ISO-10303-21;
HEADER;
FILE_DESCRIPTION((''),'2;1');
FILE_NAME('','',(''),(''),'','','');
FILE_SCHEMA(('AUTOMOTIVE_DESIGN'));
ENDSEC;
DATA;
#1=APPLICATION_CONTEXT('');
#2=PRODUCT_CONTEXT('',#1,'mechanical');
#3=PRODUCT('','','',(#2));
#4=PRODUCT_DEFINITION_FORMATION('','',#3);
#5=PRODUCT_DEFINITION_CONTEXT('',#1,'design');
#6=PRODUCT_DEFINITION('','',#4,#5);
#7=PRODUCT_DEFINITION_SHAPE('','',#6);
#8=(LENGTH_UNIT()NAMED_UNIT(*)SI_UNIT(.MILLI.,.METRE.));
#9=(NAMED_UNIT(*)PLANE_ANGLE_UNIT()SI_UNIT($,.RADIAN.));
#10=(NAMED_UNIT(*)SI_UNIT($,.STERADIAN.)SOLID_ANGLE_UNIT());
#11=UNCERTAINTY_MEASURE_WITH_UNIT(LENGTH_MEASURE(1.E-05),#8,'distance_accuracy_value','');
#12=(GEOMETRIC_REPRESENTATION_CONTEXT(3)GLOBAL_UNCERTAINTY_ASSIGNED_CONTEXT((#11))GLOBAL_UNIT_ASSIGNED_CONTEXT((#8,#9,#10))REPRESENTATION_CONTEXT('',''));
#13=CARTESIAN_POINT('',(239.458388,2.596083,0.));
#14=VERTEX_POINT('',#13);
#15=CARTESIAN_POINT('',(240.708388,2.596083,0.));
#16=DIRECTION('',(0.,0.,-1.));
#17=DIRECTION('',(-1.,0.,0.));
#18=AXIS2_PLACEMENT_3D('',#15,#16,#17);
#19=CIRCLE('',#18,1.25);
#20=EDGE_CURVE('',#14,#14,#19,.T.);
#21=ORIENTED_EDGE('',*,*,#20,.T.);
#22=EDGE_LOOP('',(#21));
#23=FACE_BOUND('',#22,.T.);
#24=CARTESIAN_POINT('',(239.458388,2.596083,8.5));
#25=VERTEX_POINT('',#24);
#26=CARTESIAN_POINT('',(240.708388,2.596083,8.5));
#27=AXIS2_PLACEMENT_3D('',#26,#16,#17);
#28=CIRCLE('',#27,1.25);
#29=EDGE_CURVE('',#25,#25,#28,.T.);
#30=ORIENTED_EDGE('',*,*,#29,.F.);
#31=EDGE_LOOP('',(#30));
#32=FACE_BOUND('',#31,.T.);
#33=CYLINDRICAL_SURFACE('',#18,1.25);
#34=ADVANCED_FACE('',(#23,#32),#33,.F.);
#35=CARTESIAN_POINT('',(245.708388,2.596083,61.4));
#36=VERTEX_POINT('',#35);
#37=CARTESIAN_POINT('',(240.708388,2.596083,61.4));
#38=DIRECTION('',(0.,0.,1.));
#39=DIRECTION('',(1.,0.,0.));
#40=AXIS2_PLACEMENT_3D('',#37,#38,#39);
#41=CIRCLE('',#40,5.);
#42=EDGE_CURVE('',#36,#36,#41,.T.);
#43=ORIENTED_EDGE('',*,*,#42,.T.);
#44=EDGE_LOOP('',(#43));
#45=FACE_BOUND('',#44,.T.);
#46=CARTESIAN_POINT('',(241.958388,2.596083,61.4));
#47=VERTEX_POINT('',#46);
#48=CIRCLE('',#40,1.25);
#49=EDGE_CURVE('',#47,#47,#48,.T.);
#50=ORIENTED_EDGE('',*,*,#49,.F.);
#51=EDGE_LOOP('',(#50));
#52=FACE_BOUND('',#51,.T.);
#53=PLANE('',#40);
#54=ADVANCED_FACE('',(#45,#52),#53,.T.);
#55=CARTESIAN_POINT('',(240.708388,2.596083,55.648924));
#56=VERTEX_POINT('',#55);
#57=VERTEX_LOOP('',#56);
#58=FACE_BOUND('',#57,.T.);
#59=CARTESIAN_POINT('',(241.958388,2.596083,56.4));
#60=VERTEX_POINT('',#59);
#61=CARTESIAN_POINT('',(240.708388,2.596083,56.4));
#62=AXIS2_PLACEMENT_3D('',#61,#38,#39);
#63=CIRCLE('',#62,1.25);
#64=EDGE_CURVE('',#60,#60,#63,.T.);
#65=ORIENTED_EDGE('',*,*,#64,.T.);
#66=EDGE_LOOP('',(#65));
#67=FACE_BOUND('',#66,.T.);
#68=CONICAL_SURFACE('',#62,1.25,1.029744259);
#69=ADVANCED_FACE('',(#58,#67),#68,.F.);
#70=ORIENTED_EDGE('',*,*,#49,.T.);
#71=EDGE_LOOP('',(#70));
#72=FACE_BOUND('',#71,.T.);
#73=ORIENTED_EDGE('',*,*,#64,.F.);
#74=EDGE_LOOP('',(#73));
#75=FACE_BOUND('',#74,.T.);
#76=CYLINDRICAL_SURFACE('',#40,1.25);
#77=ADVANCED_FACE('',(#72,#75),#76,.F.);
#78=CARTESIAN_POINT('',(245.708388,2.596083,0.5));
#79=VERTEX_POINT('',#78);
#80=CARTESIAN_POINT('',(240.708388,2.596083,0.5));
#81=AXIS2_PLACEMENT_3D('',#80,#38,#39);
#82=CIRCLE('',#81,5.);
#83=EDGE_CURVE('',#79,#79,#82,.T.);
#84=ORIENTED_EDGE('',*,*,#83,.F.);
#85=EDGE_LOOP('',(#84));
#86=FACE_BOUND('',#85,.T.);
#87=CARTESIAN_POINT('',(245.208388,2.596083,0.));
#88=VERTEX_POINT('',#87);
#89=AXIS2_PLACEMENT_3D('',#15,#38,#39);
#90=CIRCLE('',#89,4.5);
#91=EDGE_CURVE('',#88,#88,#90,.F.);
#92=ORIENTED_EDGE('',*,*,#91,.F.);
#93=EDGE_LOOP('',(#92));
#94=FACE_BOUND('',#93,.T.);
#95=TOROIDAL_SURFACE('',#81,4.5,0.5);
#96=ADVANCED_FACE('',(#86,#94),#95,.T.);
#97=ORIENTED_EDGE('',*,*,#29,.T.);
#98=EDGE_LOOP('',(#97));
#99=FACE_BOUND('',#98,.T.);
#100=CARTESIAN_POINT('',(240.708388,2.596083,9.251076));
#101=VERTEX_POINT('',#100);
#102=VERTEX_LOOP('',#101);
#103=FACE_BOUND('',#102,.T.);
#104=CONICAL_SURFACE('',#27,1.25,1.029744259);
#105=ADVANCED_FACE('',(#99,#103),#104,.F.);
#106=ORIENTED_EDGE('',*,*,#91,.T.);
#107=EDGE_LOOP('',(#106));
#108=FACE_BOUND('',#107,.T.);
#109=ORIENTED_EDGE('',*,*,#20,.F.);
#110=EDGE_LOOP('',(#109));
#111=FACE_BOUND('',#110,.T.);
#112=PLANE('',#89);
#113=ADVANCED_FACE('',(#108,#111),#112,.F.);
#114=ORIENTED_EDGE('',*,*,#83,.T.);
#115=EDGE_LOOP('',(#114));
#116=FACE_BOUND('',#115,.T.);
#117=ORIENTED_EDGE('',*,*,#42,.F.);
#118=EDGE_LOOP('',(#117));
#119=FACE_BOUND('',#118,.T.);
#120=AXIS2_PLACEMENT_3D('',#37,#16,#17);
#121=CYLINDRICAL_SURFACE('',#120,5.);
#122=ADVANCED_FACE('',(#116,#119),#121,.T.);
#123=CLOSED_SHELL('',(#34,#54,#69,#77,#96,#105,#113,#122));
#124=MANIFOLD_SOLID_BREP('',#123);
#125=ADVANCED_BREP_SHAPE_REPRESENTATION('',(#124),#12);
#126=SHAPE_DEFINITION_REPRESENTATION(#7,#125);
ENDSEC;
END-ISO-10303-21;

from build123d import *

# Parameters (mm, degrees)
ESBO_O1_R                                      = 5
RESSALTO_EXTRUS_O1_DEPTH                       = 61.4
FURO_ROSCADO_DE_M3X0_52_D                      = 2.5
FURO_ROSCADO_DE_M3X0_52_DEPTH                  = 8.5
FURO_ROSCADO_DE_M3X0_52_TIP                    = 0.751075774
FILETE1_R                                      = 0.5
BROCA_DE_ROSQUEAR_PARA_TARRAXA_DE_M3X0_5_D     = 2.5
BROCA_DE_ROSQUEAR_PARA_TARRAXA_DE_M3X0_5_DEPTH = 5
BROCA_DE_ROSQUEAR_PARA_TARRAXA_DE_M3X0_5_TIP   = 0.751075774


with BuildPart() as part:
    # Esboço1 → Ressalto-extrusão1 (new body)
    with BuildSketch(Plane.XY):
        with Locations((240.708388302, 2.596082859)):
            Circle(ESBO_O1_R)
    extrude(amount=RESSALTO_EXTRUS_O1_DEPTH)

    # Furo roscado de M3x0.52
    with Locations(Plane(origin=(0, 0, 0), x_dir=(-1, 0, 0), z_dir=(0, 0, -1))):
        with Locations((-240.708388302, 2.596082859)):
            Hole(FURO_ROSCADO_DE_M3X0_52_D / 2, depth=FURO_ROSCADO_DE_M3X0_52_DEPTH)
            with Locations((0, 0, -(FURO_ROSCADO_DE_M3X0_52_DEPTH + FURO_ROSCADO_DE_M3X0_52_TIP / 2))):  # 118° drill point
                Cone(0, FURO_ROSCADO_DE_M3X0_52_D / 2, FURO_ROSCADO_DE_M3X0_52_TIP, mode=Mode.SUBTRACT)

    # Filete1
    filete1_edges = [part.edges().sort_by_distance(p)[0] for p in [
        (235.708388302, 2.596082859, 0),
    ]]
    fillet(filete1_edges, radius=FILETE1_R)

    # Broca de rosquear para tarraxa de M3x0.51
    with Locations(Plane.XY.offset(61.4)):
        with Locations((240.708388302, 2.596082859)):
            Hole(BROCA_DE_ROSQUEAR_PARA_TARRAXA_DE_M3X0_5_D / 2, depth=BROCA_DE_ROSQUEAR_PARA_TARRAXA_DE_M3X0_5_DEPTH)
            with Locations((0, 0, -(BROCA_DE_ROSQUEAR_PARA_TARRAXA_DE_M3X0_5_DEPTH + BROCA_DE_ROSQUEAR_PARA_TARRAXA_DE_M3X0_5_TIP / 2))):  # 118° drill point
                Cone(0, BROCA_DE_ROSQUEAR_PARA_TARRAXA_DE_M3X0_5_D / 2, BROCA_DE_ROSQUEAR_PARA_TARRAXA_DE_M3X0_5_TIP, mode=Mode.SUBTRACT)


solid = part.part
